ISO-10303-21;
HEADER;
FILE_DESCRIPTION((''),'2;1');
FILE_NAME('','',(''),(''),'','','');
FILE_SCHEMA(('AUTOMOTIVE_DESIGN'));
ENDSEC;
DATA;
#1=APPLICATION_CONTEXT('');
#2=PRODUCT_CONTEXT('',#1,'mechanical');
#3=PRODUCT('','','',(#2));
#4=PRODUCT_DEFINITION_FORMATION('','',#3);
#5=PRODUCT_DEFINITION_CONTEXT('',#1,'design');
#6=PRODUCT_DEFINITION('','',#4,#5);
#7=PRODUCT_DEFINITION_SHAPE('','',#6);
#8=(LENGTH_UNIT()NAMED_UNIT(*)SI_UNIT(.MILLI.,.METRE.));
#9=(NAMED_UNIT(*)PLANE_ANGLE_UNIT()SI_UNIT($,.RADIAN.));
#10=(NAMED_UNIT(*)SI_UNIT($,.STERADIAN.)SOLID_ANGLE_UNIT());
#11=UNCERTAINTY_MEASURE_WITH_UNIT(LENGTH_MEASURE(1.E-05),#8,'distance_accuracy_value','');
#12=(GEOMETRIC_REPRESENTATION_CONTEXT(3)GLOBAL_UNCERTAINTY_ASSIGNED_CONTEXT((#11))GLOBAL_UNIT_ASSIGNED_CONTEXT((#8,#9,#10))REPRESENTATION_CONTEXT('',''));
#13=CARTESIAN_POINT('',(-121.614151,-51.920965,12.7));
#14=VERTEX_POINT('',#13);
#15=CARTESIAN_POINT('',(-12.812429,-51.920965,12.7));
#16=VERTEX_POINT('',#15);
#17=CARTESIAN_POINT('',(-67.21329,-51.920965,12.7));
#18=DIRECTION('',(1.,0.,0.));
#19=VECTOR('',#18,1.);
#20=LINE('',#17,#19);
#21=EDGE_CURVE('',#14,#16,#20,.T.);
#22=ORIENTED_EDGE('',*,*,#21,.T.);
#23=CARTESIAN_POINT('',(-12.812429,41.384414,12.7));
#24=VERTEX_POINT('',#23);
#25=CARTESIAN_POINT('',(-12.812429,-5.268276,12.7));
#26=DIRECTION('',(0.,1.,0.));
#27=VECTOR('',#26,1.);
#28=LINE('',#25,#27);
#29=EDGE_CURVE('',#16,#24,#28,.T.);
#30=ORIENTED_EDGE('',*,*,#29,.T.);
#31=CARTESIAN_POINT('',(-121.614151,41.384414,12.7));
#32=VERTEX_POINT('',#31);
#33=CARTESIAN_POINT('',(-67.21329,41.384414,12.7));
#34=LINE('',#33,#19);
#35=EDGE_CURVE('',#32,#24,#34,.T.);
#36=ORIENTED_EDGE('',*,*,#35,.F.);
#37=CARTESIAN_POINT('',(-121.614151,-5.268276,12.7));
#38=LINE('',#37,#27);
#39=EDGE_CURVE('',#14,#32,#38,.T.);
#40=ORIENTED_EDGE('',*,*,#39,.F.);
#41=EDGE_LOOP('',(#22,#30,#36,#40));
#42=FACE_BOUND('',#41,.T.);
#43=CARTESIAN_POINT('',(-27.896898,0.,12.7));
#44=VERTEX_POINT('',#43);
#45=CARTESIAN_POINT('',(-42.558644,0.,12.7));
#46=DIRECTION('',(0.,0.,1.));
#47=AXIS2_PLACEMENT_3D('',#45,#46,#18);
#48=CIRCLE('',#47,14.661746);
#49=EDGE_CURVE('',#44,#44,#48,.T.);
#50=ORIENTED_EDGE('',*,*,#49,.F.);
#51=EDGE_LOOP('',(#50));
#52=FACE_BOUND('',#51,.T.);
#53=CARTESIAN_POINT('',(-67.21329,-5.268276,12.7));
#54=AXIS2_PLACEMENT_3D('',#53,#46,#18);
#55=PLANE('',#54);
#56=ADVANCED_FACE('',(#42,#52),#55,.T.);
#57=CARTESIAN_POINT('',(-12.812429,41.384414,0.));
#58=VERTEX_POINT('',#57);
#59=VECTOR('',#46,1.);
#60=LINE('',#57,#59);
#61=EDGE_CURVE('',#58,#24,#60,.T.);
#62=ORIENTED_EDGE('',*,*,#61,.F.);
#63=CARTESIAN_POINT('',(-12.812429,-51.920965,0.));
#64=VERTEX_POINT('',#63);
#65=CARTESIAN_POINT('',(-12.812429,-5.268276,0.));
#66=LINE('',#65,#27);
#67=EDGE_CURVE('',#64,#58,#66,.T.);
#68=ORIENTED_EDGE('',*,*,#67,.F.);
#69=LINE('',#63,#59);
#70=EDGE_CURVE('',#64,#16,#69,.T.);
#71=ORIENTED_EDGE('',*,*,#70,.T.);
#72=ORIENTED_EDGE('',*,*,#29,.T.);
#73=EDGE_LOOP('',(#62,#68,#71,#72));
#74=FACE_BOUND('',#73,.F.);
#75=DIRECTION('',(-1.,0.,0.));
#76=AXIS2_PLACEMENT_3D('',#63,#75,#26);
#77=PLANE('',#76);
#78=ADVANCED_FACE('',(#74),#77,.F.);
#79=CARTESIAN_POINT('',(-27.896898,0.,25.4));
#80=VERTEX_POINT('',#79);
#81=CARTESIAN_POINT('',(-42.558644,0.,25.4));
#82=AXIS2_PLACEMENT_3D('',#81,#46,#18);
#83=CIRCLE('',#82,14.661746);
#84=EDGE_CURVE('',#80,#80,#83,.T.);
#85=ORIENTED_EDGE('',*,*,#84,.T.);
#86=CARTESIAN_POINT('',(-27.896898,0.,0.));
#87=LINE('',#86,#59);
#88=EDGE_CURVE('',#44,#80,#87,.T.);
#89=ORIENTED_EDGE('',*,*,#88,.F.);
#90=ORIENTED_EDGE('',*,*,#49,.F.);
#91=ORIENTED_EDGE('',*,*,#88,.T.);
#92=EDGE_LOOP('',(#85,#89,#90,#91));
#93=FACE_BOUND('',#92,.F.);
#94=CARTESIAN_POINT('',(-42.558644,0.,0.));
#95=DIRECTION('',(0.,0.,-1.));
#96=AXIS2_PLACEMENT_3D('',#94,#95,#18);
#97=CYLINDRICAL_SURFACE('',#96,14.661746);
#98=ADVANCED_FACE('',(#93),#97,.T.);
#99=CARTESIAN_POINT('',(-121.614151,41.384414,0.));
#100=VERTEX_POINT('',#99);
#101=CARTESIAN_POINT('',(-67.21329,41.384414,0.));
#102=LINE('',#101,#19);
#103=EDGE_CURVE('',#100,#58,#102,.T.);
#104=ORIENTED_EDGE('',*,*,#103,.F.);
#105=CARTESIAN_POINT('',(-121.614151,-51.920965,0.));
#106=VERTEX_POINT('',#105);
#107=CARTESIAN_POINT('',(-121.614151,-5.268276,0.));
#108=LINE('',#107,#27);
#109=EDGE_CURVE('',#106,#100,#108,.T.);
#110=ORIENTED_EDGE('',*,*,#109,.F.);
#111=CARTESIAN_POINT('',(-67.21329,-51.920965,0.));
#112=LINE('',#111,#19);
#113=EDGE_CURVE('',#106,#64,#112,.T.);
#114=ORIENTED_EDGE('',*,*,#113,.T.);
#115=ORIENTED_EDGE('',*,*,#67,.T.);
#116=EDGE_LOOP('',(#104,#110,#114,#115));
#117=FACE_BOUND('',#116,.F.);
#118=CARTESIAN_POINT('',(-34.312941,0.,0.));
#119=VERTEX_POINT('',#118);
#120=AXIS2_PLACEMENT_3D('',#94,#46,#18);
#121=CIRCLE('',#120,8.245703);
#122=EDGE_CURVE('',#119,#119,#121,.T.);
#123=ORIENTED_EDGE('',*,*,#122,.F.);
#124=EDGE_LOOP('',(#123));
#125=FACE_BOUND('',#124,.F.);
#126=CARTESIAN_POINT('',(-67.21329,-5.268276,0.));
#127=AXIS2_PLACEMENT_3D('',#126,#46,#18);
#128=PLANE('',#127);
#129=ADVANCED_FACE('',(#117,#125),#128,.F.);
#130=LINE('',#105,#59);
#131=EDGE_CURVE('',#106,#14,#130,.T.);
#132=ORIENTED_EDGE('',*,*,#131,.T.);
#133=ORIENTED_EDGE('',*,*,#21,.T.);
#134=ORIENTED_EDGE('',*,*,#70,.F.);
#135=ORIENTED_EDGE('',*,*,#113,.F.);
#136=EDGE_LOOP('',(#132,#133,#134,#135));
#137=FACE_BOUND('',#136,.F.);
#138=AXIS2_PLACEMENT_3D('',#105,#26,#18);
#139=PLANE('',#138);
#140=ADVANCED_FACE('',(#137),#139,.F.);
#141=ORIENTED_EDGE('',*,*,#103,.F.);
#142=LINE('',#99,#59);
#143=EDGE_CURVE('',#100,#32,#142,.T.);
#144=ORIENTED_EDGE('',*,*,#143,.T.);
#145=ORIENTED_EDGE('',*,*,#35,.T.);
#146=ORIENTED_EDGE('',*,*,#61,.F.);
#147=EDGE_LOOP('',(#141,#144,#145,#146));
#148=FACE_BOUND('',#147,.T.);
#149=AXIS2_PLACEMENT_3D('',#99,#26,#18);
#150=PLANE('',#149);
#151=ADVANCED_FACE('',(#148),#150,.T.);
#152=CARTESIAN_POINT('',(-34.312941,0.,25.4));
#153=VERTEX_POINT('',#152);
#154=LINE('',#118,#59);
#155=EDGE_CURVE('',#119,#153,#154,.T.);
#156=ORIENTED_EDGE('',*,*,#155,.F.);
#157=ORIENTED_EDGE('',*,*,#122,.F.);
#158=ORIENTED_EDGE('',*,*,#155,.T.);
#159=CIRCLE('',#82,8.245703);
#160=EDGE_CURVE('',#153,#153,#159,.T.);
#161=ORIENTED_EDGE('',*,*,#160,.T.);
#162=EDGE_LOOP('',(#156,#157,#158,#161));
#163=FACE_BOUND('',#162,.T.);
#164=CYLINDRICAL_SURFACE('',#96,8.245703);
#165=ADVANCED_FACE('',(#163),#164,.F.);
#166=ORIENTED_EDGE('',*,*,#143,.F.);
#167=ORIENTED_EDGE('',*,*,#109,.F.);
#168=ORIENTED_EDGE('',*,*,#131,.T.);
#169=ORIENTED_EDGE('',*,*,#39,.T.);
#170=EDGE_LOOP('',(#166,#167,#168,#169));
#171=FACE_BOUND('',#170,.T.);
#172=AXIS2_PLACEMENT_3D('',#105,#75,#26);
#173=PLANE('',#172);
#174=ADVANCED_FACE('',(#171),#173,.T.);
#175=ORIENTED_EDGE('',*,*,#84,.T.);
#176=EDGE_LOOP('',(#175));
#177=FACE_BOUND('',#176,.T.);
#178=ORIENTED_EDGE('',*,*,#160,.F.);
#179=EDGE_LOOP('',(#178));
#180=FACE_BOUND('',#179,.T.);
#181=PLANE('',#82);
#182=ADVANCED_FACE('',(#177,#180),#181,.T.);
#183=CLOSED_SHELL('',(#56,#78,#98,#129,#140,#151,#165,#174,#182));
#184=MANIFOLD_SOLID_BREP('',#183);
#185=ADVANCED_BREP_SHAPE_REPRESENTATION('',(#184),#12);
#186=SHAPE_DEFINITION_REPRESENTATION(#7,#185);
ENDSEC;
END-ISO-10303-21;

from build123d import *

# Parameters (mm, degrees)
F0_R     = 14.6617456109
F0_R_2   = 8.2457026682
F1_DEPTH = 25.4
F0_W     = 108.8017215952
F0_H     = 93.3053791523
F2_DEPTH = 12.7


with BuildPart() as f1:
    # F0 (on Top) → F1 (new body)
    with BuildSketch(Plane.XY):
        with Locations((-42.5586439669, 0)):
            Circle(F0_R)
        with Locations((-42.5586439669, 0)):
            Circle(F0_R_2, mode=Mode.SUBTRACT)
    extrude(amount=F1_DEPTH)

    # F0 (on Top) → F2 (join)
    with BuildSketch(Plane.XY):
        with Locations((-67.2132899053, -5.2682757378)):
            Rectangle(F0_W, F0_H)
        with Locations((-42.5586439669, 0)):
            Circle(F0_R, mode=Mode.SUBTRACT)
    extrude(amount=F2_DEPTH)


solid = f1.part
